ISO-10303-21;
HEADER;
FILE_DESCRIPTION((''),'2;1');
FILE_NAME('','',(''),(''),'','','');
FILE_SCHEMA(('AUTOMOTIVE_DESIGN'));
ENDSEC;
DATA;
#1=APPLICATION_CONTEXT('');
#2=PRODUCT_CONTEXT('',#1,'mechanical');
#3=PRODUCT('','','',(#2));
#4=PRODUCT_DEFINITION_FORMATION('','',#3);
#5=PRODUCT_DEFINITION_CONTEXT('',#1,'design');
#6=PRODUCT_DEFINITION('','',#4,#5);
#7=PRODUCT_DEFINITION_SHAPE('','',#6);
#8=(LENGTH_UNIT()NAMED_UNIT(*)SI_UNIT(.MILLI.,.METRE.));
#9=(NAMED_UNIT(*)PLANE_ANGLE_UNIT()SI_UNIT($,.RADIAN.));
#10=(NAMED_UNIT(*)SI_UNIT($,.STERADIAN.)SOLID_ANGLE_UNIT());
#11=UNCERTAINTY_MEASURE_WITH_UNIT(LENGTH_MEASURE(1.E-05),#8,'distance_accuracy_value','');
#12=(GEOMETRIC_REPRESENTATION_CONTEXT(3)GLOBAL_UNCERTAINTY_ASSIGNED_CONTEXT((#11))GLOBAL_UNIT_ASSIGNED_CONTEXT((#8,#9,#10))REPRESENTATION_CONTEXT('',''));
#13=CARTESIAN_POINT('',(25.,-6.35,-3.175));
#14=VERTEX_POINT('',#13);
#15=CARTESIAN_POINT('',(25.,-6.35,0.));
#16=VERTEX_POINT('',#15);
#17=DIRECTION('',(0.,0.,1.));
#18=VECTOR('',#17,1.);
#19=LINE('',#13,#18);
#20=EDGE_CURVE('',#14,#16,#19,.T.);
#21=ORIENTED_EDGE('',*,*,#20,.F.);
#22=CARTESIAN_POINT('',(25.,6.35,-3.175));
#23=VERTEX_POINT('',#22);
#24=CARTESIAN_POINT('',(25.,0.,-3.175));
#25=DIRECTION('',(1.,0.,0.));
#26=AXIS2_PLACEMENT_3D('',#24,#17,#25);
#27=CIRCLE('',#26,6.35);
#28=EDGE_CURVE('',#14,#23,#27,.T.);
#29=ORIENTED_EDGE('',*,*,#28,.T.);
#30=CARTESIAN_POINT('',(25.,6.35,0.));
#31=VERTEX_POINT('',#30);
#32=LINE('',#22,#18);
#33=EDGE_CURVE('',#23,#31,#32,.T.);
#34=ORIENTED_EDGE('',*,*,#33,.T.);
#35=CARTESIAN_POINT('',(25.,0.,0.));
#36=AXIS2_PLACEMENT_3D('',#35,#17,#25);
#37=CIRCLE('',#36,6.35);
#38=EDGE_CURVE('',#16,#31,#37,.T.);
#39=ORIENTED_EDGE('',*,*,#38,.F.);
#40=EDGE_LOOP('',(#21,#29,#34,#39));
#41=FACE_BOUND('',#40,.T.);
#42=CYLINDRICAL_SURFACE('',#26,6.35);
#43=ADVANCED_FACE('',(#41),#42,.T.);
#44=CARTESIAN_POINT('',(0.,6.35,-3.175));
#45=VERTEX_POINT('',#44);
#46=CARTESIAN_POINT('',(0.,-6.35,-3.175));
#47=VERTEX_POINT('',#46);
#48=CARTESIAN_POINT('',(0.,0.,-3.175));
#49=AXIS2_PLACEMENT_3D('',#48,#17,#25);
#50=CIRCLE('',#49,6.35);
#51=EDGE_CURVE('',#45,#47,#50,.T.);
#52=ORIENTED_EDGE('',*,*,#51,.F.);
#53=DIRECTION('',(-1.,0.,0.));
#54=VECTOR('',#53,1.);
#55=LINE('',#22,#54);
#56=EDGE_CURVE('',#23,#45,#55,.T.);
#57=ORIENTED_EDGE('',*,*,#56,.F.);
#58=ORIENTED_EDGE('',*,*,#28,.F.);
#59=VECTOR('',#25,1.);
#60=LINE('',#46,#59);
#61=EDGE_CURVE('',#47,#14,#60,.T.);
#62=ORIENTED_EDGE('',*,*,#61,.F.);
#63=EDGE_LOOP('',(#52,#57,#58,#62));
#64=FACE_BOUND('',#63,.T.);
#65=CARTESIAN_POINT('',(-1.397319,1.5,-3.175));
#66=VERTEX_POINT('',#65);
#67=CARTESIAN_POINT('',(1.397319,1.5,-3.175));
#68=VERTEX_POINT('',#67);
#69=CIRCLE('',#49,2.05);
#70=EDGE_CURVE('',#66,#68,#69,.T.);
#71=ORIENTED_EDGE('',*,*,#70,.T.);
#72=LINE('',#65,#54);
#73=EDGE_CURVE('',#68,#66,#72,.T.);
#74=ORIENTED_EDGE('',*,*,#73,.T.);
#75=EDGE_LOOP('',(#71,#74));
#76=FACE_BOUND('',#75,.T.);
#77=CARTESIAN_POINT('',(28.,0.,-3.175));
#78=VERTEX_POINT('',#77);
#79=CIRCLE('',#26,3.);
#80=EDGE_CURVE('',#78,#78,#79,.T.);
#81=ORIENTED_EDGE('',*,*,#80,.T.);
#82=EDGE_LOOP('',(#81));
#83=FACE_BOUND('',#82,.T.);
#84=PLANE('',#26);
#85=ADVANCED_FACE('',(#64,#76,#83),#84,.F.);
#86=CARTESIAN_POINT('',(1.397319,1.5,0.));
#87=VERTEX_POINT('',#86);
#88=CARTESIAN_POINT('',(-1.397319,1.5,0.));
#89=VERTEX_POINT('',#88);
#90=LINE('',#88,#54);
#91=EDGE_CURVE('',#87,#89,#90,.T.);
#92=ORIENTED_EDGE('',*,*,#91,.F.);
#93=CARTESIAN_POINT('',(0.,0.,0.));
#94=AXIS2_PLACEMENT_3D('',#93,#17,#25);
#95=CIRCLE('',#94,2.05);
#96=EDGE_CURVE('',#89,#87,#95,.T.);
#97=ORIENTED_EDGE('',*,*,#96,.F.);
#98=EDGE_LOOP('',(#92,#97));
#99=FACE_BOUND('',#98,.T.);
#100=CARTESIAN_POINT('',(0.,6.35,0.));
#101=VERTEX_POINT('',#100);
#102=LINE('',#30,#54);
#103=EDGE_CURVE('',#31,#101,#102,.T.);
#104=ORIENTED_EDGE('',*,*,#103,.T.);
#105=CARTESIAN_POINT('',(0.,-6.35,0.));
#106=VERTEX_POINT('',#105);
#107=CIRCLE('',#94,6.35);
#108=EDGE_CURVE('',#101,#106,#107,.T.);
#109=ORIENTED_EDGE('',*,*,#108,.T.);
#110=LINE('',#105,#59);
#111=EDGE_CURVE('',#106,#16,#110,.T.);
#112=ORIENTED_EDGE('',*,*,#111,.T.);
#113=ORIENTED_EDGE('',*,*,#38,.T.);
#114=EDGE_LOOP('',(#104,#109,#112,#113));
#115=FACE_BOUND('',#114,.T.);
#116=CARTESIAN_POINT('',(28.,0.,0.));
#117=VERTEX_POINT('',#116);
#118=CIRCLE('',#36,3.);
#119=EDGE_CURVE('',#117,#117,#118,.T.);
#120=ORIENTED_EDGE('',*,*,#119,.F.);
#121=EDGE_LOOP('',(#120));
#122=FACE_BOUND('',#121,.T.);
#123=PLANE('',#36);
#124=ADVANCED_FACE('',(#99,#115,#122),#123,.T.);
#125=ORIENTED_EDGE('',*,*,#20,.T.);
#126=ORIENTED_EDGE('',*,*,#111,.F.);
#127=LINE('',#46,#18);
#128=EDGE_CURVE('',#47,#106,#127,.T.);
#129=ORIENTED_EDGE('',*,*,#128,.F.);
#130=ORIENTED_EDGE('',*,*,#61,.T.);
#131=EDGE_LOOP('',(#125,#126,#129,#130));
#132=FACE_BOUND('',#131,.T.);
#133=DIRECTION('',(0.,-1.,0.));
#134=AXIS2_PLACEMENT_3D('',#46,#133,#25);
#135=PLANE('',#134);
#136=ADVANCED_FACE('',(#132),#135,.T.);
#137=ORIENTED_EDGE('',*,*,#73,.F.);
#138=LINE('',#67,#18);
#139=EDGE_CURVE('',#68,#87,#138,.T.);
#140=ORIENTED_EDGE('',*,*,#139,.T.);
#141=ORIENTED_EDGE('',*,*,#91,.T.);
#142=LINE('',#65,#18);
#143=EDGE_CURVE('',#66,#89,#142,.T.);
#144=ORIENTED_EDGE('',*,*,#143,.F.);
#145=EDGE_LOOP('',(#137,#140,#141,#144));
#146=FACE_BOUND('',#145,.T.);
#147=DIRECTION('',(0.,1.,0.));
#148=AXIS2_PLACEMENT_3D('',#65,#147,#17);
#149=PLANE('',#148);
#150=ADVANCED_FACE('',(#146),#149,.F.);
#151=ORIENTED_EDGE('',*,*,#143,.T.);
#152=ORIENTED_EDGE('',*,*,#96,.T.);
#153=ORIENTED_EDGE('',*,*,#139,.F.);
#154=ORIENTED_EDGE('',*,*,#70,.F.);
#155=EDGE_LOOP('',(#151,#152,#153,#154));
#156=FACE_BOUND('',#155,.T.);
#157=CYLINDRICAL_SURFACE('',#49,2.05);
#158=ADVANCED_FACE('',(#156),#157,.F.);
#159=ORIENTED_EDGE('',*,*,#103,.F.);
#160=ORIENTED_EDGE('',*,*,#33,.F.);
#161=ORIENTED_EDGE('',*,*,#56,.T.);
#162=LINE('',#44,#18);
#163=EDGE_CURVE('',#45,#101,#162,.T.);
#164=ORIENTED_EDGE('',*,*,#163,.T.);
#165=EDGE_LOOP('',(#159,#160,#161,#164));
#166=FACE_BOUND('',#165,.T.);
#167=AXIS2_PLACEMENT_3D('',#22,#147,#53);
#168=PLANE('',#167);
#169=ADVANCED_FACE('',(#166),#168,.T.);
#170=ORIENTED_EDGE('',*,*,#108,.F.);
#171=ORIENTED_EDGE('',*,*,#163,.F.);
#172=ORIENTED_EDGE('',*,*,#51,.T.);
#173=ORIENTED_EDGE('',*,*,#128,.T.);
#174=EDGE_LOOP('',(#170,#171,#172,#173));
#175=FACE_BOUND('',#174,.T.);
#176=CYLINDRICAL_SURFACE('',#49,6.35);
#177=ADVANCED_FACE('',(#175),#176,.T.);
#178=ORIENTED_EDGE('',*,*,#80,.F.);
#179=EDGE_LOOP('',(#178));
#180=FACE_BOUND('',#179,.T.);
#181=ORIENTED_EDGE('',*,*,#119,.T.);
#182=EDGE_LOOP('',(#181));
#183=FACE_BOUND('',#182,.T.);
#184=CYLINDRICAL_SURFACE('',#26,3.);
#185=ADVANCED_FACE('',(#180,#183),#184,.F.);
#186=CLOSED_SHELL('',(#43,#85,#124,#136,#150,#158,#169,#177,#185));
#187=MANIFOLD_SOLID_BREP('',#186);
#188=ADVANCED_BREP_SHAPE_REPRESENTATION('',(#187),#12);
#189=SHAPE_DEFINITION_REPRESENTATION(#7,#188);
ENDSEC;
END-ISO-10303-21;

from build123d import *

# Parameters (mm, degrees)
SKETCH1_R      = 3
EXTRUDE1_DEPTH = 3.175


with BuildPart() as part:
    # Sketch1 → Extrude1 (new body)
    with BuildSketch(Plane.XY):
        with BuildLine():
            Line((25, 6.35), (0, 6.35))
            ThreePointArc((0, 6.35), (-6.35, 0), (0, -6.35))
            Line((0, -6.35), (25, -6.35))
            ThreePointArc((25, -6.35), (31.35, 0), (25, 6.35))
        make_face()
        with Locations((25, 0)):
            Circle(SKETCH1_R, mode=Mode.SUBTRACT)
        with BuildLine():
            Line((-1.397318861, 1.5), (1.397318861, 1.5))
            ThreePointArc((1.397318861, 1.5), (0, -2.05), (-1.397318861, 1.5))
        make_face(mode=Mode.SUBTRACT)
    extrude(amount=-EXTRUDE1_DEPTH)


solid = part.part
